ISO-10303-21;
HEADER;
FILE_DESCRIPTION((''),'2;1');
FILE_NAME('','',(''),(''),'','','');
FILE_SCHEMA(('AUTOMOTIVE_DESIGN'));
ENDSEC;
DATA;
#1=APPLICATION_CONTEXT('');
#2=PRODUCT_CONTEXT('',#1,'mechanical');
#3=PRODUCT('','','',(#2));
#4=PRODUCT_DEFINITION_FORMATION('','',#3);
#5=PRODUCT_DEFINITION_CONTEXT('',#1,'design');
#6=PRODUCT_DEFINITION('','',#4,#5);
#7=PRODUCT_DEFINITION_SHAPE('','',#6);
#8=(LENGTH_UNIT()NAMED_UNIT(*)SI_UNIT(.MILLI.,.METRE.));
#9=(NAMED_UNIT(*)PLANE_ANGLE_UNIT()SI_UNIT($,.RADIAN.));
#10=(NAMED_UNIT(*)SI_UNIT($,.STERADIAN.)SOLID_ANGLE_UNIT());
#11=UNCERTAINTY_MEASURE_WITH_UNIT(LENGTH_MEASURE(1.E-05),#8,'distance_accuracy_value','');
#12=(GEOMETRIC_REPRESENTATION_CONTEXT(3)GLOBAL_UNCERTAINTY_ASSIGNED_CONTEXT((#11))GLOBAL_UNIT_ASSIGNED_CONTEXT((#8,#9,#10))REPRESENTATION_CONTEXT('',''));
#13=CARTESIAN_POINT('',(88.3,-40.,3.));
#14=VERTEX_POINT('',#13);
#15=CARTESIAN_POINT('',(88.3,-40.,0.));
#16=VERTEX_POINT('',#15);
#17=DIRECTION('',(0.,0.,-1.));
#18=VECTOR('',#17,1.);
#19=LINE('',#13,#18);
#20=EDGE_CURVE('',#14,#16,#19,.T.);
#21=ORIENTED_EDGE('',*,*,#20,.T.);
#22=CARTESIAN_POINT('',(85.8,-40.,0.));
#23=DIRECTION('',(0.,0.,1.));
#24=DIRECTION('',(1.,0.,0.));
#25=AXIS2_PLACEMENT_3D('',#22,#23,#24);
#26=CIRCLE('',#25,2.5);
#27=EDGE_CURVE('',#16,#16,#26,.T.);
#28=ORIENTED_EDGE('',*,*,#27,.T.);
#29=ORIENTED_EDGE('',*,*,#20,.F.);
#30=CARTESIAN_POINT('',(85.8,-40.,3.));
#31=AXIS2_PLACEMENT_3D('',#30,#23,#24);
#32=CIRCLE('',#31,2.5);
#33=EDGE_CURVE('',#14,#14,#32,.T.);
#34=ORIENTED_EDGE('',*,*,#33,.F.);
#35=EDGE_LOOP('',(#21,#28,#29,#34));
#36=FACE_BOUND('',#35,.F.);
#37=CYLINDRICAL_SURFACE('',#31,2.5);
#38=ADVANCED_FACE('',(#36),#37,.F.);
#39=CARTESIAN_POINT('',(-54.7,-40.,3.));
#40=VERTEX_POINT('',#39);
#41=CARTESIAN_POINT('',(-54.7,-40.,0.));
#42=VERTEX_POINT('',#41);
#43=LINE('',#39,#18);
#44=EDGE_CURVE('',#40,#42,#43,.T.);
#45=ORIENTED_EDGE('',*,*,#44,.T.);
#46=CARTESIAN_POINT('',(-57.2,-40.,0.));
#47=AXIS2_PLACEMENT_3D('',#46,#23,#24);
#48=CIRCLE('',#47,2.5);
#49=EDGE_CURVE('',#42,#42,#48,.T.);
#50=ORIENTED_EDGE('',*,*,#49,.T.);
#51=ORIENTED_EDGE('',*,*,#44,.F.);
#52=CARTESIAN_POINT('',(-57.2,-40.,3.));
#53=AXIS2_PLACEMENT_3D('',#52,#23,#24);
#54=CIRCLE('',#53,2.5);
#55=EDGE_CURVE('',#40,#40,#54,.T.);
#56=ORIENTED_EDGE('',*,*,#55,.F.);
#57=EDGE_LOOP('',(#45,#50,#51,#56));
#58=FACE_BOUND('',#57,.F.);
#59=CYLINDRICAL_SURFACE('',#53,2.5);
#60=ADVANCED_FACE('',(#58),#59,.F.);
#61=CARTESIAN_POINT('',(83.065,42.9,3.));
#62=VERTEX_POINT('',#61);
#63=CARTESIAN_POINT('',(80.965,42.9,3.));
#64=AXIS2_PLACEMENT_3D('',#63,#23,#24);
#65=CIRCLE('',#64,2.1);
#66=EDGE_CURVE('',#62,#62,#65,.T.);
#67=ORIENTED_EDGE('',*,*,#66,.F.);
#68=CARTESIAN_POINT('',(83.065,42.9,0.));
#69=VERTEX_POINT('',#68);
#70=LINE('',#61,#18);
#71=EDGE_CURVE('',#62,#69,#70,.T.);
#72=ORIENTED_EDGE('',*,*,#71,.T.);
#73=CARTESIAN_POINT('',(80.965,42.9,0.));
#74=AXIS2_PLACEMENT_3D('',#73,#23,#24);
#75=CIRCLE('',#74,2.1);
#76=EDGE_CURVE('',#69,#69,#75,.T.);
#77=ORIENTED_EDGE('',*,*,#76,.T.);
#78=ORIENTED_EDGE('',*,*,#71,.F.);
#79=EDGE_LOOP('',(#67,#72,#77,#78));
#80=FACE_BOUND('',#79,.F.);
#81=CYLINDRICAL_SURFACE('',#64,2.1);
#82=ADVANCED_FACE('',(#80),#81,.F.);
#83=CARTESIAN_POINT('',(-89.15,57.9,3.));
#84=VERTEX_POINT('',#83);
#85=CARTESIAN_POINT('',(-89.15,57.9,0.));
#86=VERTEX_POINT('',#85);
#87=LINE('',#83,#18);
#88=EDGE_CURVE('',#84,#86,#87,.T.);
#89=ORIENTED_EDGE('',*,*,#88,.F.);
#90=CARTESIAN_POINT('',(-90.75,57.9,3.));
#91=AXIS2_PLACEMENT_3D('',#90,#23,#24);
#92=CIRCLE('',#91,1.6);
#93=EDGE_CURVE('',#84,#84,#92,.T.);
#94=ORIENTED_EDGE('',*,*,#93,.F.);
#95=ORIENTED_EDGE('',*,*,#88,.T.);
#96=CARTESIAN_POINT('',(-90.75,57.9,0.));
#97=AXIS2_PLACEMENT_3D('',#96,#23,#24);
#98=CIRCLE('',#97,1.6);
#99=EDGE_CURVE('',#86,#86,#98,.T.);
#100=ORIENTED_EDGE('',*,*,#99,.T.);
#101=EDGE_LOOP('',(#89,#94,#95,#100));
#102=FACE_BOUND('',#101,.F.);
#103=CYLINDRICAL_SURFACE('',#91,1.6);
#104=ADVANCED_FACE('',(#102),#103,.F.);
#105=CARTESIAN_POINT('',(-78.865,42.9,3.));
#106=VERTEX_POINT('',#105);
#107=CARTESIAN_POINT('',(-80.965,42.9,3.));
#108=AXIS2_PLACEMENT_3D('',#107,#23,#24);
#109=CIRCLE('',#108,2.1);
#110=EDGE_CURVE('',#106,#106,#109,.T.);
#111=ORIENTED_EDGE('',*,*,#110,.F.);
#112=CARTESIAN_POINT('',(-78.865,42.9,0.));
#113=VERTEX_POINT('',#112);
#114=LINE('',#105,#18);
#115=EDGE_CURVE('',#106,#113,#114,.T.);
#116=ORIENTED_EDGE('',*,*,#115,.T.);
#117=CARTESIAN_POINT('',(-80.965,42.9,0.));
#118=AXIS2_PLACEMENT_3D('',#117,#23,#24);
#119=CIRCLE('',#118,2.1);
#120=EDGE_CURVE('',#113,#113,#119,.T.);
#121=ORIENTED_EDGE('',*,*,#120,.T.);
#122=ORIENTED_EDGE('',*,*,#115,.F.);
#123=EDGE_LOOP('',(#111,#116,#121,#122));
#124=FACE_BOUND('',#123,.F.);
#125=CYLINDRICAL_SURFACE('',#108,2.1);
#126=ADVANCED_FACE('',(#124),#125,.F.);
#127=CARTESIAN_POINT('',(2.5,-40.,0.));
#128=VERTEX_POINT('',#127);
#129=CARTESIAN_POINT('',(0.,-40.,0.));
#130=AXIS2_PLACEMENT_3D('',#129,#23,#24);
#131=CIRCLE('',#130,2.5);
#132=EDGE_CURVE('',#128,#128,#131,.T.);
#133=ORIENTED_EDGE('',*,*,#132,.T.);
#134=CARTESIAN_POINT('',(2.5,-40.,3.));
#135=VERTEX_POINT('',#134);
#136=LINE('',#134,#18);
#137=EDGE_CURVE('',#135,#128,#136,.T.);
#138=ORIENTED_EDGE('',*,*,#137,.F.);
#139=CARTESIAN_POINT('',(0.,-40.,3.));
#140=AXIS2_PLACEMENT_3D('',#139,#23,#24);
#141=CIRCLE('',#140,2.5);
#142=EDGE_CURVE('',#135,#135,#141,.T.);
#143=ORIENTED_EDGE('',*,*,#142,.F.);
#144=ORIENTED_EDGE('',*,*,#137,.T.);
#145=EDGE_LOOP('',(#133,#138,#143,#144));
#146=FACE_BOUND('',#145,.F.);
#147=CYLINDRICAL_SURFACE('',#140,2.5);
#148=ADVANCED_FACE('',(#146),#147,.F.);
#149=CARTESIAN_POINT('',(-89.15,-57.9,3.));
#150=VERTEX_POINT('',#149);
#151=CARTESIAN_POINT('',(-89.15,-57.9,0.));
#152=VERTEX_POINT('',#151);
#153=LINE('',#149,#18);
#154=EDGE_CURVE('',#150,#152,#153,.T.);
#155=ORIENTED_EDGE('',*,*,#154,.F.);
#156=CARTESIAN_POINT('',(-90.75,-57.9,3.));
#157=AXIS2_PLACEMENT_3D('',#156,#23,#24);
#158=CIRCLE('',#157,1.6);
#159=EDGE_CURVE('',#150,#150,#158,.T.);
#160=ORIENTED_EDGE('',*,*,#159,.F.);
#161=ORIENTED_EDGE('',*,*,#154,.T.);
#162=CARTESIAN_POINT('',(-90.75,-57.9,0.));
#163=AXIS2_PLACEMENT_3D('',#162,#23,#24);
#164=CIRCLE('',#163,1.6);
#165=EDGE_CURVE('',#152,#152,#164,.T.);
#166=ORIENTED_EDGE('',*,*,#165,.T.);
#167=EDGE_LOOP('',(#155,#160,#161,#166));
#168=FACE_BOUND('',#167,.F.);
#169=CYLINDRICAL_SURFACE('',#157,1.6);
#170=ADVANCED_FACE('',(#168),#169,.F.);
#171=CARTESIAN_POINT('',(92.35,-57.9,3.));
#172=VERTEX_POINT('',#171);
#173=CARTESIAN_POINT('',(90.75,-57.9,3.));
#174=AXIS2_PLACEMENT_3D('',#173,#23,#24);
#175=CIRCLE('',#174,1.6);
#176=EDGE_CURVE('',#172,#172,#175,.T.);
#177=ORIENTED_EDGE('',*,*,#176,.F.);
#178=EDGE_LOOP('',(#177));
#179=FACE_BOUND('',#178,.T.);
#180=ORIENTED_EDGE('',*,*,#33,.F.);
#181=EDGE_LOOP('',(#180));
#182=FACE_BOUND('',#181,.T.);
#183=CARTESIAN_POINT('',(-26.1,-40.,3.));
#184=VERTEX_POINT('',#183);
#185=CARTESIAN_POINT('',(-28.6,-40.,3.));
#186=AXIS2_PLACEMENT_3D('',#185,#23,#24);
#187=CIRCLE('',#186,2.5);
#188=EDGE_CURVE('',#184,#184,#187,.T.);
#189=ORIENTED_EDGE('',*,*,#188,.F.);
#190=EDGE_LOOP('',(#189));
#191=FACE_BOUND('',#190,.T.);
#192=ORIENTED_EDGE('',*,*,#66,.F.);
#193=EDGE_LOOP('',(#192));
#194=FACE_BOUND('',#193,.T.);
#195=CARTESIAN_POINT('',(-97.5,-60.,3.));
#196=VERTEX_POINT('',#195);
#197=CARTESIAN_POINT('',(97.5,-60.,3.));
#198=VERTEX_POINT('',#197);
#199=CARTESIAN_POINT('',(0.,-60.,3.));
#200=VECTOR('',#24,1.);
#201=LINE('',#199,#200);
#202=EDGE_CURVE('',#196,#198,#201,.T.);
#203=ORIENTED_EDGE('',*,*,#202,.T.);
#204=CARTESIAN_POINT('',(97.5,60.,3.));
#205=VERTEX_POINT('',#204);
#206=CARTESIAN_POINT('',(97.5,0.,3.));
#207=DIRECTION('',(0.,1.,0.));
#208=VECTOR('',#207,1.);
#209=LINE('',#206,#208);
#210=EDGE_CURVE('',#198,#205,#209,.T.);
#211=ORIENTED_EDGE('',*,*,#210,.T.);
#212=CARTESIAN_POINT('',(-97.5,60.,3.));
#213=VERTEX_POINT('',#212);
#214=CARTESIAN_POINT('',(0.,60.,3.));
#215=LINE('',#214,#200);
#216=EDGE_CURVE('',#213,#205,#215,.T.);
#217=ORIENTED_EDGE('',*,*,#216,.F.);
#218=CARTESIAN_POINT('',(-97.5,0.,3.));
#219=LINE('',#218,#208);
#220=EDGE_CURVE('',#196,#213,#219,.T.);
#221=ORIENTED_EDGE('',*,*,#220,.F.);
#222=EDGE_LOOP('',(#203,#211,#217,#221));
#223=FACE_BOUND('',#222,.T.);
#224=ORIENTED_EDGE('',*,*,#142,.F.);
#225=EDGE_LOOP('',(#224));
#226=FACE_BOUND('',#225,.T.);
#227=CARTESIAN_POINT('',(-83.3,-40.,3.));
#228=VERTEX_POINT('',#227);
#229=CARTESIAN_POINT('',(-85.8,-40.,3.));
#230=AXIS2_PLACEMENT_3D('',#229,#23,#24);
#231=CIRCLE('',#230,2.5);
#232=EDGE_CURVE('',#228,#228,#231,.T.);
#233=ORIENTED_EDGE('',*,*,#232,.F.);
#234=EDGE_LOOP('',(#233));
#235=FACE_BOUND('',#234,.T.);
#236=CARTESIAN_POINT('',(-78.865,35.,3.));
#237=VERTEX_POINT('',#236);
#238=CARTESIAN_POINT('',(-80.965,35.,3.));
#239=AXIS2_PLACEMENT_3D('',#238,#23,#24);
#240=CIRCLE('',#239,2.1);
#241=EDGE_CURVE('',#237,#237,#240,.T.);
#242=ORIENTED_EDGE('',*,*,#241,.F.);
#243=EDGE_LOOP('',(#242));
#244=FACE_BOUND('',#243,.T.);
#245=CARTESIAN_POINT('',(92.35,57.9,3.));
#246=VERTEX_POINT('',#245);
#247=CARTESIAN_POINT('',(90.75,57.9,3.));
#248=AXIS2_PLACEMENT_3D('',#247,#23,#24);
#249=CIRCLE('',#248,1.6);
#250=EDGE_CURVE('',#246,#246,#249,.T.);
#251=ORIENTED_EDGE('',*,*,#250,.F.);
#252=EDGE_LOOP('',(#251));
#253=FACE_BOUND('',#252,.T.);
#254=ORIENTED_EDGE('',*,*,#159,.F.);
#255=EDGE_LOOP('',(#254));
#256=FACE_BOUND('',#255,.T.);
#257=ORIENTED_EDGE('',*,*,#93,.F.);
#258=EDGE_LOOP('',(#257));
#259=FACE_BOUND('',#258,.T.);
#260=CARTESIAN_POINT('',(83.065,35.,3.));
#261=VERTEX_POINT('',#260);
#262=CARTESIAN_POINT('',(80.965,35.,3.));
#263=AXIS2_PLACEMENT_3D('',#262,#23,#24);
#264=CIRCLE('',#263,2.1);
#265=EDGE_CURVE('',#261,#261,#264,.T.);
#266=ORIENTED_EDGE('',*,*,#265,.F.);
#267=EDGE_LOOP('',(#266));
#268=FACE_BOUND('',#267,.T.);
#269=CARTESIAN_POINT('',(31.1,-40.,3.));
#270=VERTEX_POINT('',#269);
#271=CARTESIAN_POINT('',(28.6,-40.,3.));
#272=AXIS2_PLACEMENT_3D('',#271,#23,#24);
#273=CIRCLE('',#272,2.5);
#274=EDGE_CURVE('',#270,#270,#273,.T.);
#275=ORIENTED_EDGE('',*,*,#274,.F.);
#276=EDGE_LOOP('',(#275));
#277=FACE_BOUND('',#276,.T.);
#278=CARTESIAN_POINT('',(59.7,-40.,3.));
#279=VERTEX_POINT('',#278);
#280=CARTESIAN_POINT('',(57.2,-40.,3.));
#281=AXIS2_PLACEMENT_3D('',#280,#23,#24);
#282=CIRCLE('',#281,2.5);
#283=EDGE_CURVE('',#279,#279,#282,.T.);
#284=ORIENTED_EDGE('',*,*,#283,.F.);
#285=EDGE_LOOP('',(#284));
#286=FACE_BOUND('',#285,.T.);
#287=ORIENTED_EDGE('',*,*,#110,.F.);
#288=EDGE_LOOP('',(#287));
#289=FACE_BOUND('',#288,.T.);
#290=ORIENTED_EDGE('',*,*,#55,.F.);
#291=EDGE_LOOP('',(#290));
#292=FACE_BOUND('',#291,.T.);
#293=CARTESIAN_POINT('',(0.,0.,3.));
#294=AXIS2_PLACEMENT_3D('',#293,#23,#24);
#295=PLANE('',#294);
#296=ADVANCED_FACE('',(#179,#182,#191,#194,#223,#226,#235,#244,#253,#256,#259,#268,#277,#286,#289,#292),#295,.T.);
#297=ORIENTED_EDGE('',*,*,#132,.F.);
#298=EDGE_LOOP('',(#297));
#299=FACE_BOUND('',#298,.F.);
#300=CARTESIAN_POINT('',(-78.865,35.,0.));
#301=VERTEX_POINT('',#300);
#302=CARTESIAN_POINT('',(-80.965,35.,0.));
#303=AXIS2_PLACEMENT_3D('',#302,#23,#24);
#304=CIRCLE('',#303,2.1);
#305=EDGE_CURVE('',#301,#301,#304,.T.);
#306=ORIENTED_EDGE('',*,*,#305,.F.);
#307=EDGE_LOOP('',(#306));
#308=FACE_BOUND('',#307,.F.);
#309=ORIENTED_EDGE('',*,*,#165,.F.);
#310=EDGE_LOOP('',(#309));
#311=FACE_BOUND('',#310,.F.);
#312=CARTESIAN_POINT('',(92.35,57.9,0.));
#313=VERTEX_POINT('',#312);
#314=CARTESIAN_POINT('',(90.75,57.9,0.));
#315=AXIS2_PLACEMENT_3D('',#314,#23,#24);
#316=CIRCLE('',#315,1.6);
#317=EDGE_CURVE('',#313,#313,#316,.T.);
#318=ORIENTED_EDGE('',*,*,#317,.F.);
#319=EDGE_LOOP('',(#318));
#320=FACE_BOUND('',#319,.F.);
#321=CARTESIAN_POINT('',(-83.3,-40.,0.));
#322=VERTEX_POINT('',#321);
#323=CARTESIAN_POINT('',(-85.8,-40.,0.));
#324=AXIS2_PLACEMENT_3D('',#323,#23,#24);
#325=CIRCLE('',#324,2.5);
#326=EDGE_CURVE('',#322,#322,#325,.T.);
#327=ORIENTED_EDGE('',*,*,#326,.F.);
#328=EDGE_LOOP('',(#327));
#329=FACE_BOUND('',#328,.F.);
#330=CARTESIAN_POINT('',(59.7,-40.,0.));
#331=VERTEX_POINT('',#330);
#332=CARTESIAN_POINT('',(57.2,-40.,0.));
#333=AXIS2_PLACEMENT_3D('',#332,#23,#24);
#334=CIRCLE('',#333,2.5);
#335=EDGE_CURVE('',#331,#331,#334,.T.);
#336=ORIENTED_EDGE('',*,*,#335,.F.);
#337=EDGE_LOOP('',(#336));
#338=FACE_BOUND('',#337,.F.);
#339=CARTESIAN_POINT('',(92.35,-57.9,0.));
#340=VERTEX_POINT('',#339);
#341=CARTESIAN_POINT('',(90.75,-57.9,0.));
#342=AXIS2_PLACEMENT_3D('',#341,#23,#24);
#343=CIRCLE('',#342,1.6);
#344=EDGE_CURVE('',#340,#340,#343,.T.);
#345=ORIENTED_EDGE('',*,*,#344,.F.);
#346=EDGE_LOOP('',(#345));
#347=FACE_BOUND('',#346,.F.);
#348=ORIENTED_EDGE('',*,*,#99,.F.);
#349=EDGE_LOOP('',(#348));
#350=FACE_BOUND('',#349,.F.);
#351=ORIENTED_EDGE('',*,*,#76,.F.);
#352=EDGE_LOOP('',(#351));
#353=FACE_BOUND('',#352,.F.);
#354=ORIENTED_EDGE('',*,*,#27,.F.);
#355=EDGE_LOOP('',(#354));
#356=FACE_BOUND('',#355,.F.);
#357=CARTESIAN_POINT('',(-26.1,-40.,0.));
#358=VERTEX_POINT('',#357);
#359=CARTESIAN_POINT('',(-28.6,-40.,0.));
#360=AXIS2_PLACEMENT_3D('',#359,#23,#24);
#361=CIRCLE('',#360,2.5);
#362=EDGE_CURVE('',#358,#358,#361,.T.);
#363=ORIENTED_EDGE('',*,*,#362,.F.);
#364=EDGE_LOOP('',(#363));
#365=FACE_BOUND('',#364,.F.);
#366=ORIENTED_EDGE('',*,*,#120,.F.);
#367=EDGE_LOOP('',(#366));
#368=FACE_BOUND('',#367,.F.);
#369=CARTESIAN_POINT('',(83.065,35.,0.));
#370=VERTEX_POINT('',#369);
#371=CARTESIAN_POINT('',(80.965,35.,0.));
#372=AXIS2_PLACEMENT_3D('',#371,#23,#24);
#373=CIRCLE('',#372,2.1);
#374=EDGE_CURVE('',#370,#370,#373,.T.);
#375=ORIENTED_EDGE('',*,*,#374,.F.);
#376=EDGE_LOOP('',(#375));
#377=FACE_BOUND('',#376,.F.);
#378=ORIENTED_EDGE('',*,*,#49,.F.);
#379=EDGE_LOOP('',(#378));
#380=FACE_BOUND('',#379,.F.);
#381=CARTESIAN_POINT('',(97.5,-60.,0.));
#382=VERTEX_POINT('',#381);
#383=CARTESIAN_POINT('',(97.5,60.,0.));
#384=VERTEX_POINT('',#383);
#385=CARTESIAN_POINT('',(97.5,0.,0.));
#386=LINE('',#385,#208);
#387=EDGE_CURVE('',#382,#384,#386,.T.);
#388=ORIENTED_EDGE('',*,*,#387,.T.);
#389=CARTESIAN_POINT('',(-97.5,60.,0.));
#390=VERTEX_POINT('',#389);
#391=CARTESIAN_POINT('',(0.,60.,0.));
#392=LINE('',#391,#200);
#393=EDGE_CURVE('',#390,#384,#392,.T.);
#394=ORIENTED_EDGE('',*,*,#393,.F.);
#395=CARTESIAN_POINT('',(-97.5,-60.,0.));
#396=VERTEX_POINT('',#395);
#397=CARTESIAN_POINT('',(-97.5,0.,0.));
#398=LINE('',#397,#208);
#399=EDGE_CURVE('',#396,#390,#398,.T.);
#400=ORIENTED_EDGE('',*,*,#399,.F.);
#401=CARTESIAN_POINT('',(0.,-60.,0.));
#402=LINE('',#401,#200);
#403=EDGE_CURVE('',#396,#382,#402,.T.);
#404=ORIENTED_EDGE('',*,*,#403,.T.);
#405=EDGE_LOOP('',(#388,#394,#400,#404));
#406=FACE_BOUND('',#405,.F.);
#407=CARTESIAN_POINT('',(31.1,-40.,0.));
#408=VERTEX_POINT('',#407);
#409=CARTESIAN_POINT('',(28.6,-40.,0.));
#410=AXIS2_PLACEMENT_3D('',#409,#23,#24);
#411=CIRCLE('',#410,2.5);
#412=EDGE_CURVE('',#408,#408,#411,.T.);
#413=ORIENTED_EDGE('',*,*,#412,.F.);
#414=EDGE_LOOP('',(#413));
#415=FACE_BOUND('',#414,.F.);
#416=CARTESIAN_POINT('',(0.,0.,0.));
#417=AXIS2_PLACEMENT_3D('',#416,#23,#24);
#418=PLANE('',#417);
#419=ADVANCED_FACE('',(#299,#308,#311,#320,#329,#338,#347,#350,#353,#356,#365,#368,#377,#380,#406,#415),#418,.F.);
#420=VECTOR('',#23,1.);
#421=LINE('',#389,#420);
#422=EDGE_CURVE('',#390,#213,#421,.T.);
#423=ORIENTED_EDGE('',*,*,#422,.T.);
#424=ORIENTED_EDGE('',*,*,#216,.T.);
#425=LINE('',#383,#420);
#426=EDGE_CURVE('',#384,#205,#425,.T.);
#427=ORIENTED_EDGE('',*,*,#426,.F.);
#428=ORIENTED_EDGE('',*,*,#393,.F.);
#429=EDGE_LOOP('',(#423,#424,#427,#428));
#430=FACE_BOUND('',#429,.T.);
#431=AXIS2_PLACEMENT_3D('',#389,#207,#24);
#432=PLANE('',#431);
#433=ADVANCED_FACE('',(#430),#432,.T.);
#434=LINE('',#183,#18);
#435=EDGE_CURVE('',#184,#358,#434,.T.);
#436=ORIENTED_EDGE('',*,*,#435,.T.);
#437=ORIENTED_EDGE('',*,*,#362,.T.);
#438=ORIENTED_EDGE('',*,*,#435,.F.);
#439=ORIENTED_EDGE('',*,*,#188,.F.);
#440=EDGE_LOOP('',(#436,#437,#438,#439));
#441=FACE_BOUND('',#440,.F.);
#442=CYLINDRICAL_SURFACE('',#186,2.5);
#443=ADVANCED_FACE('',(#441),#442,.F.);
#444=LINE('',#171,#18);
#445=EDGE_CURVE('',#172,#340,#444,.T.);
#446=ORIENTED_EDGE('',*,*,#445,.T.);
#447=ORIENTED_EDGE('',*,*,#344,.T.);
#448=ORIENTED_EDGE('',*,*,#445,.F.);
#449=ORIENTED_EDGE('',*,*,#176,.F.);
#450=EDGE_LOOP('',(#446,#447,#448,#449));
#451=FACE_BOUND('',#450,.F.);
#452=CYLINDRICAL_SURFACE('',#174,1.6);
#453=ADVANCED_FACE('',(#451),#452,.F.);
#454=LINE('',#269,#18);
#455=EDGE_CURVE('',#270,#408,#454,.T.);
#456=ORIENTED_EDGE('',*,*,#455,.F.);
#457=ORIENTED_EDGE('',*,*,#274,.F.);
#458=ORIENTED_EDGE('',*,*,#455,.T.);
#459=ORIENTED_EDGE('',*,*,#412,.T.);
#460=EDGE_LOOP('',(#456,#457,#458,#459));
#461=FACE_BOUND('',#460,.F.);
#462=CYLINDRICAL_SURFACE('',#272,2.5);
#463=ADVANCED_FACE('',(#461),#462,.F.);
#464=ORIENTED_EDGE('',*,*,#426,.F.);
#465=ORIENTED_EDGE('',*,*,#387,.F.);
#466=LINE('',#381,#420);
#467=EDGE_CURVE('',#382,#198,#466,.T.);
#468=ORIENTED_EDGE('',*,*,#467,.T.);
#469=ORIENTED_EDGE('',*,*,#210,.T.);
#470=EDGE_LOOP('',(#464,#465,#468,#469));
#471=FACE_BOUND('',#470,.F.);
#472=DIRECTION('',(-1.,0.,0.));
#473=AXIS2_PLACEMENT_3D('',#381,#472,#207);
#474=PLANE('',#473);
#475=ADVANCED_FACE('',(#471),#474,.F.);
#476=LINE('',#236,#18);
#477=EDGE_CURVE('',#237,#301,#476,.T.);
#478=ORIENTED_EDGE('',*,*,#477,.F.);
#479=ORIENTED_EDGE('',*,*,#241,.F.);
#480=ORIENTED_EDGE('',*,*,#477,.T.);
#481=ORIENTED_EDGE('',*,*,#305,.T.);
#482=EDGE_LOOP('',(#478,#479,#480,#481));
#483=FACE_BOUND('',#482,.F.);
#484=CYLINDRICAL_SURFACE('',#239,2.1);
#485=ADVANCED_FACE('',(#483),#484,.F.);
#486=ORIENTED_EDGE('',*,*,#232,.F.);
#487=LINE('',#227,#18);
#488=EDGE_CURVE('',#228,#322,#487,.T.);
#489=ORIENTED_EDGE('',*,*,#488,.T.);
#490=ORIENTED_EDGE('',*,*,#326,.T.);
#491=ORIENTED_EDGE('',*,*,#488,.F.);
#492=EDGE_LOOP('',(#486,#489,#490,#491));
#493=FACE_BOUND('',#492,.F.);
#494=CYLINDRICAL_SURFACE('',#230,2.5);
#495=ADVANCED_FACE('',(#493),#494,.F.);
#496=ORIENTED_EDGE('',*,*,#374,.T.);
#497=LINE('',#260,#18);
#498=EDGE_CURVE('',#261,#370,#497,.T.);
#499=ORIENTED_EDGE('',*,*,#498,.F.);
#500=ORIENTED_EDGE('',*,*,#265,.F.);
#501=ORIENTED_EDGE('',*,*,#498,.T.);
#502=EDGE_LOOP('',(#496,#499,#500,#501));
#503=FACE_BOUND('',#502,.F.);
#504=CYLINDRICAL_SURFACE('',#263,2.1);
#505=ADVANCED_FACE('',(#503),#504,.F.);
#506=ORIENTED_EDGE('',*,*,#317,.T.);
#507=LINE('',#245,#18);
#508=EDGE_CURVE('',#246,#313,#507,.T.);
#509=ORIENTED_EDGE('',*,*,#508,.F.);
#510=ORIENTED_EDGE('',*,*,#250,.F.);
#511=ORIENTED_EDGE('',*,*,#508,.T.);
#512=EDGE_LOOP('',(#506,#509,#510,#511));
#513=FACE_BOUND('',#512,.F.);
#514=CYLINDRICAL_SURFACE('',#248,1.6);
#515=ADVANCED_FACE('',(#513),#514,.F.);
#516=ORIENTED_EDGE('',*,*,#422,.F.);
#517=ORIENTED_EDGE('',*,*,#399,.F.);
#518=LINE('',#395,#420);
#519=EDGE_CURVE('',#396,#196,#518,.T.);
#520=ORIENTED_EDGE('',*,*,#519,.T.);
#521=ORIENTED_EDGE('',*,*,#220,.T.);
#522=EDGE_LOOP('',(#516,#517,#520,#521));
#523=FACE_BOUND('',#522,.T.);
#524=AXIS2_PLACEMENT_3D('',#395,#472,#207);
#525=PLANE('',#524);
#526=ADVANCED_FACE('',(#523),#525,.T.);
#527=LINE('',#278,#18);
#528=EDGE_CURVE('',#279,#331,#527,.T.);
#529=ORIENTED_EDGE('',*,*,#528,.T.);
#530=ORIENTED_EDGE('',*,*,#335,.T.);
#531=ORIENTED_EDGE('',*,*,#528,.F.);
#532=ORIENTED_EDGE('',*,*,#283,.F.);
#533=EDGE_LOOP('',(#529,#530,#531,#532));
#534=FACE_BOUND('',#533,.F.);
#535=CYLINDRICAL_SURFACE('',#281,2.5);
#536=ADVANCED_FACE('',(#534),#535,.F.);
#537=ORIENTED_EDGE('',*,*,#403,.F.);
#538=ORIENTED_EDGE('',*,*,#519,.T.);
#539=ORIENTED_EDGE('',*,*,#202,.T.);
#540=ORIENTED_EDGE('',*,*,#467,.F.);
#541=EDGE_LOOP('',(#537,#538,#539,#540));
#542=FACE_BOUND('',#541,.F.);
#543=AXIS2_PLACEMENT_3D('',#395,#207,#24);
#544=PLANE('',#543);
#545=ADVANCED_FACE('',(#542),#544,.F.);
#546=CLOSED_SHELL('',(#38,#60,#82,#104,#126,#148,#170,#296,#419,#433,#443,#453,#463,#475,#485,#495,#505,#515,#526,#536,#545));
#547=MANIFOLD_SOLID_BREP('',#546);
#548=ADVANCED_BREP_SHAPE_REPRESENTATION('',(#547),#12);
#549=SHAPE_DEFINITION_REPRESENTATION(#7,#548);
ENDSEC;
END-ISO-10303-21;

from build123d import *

# Parameters (mm, degrees)
SKETCH_W        = 195
SKETCH_H        = 120
PAD_DEPTH       = 3
SKETCH001_R     = 1.6
POCKET_DEPTH    = 5
SKETCH002_R     = 2.5
SKETCH002_R_2   = 2.1
POCKET001_DEPTH = 5


with BuildPart() as part:
    # Sketch → Pad (new body)
    with BuildSketch(Plane.XY):
        Rectangle(SKETCH_W, SKETCH_H)
    extrude(amount=PAD_DEPTH)

    # Sketch001 → Pocket (cut)
    with BuildSketch(Plane.XY.offset(3)):
        with Locations((-90.75, 57.9)):
            Circle(SKETCH001_R)
        with Locations((90.75, 57.9)):
            Circle(SKETCH001_R)
        with Locations((-90.75, -57.9)):
            Circle(SKETCH001_R)
        with Locations((90.75, -57.9)):
            Circle(SKETCH001_R)
    extrude(amount=-POCKET_DEPTH, mode=Mode.SUBTRACT)

    # Sketch002 → Pocket001 (cut)
    with BuildSketch(Plane.XY.offset(3)):
        with Locations((-57.2, -40)):
            Circle(SKETCH002_R)
        with Locations((-28.6, -40)):
            Circle(SKETCH002_R)
        with Locations((0, -40)):
            Circle(SKETCH002_R)
        with Locations((28.6, -40)):
            Circle(SKETCH002_R)
        with Locations((57.2, -40)):
            Circle(SKETCH002_R)
        with Locations((-80.965, 42.9)):
            Circle(SKETCH002_R_2)
        with Locations((-80.965, 35)):
            Circle(SKETCH002_R_2)
        with Locations((80.965, 42.9)):
            Circle(SKETCH002_R_2)
        with Locations((80.965, 35)):
            Circle(SKETCH002_R_2)
        with Locations((-85.8, -40)):
            Circle(SKETCH002_R)
        with Locations((85.8, -40)):
            Circle(SKETCH002_R)
    extrude(amount=-POCKET001_DEPTH, mode=Mode.SUBTRACT)


solid = part.part
